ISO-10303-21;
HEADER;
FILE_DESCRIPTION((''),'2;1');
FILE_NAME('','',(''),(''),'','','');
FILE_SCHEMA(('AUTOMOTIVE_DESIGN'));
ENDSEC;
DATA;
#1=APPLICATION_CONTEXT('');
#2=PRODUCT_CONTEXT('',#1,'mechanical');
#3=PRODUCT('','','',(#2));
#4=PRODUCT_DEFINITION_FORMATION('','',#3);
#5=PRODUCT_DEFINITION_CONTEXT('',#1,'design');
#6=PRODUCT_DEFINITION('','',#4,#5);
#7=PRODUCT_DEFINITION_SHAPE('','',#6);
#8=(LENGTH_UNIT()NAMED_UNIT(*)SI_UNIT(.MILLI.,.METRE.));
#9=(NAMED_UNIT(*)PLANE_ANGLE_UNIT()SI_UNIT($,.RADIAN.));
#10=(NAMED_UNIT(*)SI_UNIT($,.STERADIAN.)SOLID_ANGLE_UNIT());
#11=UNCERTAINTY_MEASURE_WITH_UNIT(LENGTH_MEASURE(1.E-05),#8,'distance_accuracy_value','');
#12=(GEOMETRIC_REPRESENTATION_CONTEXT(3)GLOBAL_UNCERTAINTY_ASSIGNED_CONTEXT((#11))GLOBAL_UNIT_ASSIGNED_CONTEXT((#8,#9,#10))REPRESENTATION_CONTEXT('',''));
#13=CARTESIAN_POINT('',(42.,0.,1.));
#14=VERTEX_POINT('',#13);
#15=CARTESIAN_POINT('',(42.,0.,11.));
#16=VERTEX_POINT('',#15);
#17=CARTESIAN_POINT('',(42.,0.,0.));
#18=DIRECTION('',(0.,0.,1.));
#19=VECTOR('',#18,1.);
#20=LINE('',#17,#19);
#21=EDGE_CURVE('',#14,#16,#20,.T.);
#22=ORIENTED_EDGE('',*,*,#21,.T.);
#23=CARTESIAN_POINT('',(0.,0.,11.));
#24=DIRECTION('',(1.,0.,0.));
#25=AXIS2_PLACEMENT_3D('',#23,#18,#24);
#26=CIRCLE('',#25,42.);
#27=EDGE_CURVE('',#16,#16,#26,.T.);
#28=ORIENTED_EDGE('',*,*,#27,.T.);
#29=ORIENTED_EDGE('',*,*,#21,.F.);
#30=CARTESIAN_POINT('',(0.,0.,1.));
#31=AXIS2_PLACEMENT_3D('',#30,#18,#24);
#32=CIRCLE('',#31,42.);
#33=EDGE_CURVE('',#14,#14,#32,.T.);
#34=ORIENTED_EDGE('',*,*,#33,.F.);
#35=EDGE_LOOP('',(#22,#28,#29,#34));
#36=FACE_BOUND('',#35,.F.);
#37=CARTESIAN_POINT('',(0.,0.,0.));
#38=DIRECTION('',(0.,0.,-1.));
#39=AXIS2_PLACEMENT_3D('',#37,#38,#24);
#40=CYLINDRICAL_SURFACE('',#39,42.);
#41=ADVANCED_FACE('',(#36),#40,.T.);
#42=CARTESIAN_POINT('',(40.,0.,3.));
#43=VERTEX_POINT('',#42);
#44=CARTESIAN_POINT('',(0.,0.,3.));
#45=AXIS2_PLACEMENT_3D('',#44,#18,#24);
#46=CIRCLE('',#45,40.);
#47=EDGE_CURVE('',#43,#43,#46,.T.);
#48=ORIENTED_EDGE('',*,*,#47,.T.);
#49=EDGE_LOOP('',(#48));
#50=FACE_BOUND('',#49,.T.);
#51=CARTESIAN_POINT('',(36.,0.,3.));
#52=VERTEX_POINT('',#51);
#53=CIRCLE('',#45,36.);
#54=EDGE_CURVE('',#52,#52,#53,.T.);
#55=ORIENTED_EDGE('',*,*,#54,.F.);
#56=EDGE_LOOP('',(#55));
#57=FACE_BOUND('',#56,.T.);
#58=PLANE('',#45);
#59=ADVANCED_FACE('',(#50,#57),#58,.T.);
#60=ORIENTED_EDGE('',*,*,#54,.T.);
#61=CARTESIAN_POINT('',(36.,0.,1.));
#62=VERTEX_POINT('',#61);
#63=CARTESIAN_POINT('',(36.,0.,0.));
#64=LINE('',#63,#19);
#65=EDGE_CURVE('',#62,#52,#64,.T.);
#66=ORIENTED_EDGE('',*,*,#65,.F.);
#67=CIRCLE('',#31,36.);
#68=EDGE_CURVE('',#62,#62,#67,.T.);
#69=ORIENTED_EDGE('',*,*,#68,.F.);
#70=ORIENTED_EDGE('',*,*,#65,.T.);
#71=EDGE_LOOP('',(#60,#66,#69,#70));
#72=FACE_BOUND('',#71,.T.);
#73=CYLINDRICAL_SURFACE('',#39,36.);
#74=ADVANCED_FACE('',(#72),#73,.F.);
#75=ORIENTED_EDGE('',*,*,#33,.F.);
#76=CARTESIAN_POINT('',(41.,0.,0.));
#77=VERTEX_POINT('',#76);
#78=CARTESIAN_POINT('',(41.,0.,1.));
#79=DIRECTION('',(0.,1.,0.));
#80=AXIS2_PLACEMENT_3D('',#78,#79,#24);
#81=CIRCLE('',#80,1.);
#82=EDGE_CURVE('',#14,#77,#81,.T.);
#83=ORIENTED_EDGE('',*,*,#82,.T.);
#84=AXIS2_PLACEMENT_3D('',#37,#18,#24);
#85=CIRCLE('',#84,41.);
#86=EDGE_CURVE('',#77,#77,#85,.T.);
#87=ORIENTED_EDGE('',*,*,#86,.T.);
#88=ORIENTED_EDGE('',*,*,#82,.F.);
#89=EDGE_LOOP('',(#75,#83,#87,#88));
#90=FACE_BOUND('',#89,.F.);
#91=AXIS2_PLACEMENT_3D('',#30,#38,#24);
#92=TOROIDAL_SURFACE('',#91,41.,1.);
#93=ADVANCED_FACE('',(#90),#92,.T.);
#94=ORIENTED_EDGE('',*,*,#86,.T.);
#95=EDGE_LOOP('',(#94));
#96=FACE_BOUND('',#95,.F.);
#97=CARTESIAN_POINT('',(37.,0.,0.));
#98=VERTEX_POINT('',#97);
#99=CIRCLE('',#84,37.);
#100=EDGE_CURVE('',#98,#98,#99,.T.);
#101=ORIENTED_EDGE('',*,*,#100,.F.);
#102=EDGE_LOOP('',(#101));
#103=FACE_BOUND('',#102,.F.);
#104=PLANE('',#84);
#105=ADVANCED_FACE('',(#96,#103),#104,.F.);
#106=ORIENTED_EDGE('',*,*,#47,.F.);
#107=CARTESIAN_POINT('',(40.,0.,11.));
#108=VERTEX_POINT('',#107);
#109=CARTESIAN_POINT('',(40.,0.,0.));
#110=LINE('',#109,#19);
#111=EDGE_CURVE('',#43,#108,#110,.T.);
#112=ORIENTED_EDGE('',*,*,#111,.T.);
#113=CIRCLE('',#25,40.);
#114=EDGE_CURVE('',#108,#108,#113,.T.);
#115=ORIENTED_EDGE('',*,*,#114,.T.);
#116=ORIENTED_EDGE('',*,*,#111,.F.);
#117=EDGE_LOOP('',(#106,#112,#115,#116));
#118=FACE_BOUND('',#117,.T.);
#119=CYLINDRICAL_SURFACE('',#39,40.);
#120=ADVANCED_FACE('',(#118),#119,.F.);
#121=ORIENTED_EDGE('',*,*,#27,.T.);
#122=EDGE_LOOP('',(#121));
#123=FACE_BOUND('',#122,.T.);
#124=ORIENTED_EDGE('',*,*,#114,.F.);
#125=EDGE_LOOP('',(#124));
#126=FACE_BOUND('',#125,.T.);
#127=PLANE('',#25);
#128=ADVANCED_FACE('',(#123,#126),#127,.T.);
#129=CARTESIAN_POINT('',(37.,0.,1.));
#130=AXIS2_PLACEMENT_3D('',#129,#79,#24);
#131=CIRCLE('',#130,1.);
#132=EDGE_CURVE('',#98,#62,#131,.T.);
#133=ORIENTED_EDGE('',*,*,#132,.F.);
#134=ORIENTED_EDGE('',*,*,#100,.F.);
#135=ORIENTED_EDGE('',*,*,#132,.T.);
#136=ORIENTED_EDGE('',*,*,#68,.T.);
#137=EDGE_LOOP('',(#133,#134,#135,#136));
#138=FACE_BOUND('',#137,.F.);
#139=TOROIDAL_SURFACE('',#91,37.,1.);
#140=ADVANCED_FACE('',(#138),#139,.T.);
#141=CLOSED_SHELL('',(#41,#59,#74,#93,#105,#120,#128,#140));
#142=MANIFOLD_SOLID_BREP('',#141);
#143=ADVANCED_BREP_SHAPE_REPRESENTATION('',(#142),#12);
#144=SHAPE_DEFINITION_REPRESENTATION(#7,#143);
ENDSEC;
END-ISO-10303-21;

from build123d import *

# Parameters (mm, degrees)
F0_R     = 40
F0_R_2   = 36
F1_DEPTH = 3
F0_R_3   = 42
F2_DEPTH = 11
F3_R     = 1
F4_R     = 1


with BuildPart() as f1:
    # F0 (on Top) → F1 (new body)
    with BuildSketch(Plane.XY):
        Circle(F0_R)
        Circle(F0_R_2, mode=Mode.SUBTRACT)
    extrude(amount=F1_DEPTH)

    # F0 (on Top) → F2 (join)
    with BuildSketch(Plane.XY):
        Circle(F0_R_3)
        Circle(F0_R, mode=Mode.SUBTRACT)
    extrude(amount=F2_DEPTH)

    # F3
    f3_edges = [f1.edges().sort_by_distance(p)[0] for p in [
        (-42, 0, 0),
    ]]
    fillet(f3_edges, radius=F3_R)

    # F4
    f4_edges = [f1.edges().sort_by_distance(p)[0] for p in [
        (-36, 0, 0),
    ]]
    fillet(f4_edges, radius=F4_R)


solid = f1.part
